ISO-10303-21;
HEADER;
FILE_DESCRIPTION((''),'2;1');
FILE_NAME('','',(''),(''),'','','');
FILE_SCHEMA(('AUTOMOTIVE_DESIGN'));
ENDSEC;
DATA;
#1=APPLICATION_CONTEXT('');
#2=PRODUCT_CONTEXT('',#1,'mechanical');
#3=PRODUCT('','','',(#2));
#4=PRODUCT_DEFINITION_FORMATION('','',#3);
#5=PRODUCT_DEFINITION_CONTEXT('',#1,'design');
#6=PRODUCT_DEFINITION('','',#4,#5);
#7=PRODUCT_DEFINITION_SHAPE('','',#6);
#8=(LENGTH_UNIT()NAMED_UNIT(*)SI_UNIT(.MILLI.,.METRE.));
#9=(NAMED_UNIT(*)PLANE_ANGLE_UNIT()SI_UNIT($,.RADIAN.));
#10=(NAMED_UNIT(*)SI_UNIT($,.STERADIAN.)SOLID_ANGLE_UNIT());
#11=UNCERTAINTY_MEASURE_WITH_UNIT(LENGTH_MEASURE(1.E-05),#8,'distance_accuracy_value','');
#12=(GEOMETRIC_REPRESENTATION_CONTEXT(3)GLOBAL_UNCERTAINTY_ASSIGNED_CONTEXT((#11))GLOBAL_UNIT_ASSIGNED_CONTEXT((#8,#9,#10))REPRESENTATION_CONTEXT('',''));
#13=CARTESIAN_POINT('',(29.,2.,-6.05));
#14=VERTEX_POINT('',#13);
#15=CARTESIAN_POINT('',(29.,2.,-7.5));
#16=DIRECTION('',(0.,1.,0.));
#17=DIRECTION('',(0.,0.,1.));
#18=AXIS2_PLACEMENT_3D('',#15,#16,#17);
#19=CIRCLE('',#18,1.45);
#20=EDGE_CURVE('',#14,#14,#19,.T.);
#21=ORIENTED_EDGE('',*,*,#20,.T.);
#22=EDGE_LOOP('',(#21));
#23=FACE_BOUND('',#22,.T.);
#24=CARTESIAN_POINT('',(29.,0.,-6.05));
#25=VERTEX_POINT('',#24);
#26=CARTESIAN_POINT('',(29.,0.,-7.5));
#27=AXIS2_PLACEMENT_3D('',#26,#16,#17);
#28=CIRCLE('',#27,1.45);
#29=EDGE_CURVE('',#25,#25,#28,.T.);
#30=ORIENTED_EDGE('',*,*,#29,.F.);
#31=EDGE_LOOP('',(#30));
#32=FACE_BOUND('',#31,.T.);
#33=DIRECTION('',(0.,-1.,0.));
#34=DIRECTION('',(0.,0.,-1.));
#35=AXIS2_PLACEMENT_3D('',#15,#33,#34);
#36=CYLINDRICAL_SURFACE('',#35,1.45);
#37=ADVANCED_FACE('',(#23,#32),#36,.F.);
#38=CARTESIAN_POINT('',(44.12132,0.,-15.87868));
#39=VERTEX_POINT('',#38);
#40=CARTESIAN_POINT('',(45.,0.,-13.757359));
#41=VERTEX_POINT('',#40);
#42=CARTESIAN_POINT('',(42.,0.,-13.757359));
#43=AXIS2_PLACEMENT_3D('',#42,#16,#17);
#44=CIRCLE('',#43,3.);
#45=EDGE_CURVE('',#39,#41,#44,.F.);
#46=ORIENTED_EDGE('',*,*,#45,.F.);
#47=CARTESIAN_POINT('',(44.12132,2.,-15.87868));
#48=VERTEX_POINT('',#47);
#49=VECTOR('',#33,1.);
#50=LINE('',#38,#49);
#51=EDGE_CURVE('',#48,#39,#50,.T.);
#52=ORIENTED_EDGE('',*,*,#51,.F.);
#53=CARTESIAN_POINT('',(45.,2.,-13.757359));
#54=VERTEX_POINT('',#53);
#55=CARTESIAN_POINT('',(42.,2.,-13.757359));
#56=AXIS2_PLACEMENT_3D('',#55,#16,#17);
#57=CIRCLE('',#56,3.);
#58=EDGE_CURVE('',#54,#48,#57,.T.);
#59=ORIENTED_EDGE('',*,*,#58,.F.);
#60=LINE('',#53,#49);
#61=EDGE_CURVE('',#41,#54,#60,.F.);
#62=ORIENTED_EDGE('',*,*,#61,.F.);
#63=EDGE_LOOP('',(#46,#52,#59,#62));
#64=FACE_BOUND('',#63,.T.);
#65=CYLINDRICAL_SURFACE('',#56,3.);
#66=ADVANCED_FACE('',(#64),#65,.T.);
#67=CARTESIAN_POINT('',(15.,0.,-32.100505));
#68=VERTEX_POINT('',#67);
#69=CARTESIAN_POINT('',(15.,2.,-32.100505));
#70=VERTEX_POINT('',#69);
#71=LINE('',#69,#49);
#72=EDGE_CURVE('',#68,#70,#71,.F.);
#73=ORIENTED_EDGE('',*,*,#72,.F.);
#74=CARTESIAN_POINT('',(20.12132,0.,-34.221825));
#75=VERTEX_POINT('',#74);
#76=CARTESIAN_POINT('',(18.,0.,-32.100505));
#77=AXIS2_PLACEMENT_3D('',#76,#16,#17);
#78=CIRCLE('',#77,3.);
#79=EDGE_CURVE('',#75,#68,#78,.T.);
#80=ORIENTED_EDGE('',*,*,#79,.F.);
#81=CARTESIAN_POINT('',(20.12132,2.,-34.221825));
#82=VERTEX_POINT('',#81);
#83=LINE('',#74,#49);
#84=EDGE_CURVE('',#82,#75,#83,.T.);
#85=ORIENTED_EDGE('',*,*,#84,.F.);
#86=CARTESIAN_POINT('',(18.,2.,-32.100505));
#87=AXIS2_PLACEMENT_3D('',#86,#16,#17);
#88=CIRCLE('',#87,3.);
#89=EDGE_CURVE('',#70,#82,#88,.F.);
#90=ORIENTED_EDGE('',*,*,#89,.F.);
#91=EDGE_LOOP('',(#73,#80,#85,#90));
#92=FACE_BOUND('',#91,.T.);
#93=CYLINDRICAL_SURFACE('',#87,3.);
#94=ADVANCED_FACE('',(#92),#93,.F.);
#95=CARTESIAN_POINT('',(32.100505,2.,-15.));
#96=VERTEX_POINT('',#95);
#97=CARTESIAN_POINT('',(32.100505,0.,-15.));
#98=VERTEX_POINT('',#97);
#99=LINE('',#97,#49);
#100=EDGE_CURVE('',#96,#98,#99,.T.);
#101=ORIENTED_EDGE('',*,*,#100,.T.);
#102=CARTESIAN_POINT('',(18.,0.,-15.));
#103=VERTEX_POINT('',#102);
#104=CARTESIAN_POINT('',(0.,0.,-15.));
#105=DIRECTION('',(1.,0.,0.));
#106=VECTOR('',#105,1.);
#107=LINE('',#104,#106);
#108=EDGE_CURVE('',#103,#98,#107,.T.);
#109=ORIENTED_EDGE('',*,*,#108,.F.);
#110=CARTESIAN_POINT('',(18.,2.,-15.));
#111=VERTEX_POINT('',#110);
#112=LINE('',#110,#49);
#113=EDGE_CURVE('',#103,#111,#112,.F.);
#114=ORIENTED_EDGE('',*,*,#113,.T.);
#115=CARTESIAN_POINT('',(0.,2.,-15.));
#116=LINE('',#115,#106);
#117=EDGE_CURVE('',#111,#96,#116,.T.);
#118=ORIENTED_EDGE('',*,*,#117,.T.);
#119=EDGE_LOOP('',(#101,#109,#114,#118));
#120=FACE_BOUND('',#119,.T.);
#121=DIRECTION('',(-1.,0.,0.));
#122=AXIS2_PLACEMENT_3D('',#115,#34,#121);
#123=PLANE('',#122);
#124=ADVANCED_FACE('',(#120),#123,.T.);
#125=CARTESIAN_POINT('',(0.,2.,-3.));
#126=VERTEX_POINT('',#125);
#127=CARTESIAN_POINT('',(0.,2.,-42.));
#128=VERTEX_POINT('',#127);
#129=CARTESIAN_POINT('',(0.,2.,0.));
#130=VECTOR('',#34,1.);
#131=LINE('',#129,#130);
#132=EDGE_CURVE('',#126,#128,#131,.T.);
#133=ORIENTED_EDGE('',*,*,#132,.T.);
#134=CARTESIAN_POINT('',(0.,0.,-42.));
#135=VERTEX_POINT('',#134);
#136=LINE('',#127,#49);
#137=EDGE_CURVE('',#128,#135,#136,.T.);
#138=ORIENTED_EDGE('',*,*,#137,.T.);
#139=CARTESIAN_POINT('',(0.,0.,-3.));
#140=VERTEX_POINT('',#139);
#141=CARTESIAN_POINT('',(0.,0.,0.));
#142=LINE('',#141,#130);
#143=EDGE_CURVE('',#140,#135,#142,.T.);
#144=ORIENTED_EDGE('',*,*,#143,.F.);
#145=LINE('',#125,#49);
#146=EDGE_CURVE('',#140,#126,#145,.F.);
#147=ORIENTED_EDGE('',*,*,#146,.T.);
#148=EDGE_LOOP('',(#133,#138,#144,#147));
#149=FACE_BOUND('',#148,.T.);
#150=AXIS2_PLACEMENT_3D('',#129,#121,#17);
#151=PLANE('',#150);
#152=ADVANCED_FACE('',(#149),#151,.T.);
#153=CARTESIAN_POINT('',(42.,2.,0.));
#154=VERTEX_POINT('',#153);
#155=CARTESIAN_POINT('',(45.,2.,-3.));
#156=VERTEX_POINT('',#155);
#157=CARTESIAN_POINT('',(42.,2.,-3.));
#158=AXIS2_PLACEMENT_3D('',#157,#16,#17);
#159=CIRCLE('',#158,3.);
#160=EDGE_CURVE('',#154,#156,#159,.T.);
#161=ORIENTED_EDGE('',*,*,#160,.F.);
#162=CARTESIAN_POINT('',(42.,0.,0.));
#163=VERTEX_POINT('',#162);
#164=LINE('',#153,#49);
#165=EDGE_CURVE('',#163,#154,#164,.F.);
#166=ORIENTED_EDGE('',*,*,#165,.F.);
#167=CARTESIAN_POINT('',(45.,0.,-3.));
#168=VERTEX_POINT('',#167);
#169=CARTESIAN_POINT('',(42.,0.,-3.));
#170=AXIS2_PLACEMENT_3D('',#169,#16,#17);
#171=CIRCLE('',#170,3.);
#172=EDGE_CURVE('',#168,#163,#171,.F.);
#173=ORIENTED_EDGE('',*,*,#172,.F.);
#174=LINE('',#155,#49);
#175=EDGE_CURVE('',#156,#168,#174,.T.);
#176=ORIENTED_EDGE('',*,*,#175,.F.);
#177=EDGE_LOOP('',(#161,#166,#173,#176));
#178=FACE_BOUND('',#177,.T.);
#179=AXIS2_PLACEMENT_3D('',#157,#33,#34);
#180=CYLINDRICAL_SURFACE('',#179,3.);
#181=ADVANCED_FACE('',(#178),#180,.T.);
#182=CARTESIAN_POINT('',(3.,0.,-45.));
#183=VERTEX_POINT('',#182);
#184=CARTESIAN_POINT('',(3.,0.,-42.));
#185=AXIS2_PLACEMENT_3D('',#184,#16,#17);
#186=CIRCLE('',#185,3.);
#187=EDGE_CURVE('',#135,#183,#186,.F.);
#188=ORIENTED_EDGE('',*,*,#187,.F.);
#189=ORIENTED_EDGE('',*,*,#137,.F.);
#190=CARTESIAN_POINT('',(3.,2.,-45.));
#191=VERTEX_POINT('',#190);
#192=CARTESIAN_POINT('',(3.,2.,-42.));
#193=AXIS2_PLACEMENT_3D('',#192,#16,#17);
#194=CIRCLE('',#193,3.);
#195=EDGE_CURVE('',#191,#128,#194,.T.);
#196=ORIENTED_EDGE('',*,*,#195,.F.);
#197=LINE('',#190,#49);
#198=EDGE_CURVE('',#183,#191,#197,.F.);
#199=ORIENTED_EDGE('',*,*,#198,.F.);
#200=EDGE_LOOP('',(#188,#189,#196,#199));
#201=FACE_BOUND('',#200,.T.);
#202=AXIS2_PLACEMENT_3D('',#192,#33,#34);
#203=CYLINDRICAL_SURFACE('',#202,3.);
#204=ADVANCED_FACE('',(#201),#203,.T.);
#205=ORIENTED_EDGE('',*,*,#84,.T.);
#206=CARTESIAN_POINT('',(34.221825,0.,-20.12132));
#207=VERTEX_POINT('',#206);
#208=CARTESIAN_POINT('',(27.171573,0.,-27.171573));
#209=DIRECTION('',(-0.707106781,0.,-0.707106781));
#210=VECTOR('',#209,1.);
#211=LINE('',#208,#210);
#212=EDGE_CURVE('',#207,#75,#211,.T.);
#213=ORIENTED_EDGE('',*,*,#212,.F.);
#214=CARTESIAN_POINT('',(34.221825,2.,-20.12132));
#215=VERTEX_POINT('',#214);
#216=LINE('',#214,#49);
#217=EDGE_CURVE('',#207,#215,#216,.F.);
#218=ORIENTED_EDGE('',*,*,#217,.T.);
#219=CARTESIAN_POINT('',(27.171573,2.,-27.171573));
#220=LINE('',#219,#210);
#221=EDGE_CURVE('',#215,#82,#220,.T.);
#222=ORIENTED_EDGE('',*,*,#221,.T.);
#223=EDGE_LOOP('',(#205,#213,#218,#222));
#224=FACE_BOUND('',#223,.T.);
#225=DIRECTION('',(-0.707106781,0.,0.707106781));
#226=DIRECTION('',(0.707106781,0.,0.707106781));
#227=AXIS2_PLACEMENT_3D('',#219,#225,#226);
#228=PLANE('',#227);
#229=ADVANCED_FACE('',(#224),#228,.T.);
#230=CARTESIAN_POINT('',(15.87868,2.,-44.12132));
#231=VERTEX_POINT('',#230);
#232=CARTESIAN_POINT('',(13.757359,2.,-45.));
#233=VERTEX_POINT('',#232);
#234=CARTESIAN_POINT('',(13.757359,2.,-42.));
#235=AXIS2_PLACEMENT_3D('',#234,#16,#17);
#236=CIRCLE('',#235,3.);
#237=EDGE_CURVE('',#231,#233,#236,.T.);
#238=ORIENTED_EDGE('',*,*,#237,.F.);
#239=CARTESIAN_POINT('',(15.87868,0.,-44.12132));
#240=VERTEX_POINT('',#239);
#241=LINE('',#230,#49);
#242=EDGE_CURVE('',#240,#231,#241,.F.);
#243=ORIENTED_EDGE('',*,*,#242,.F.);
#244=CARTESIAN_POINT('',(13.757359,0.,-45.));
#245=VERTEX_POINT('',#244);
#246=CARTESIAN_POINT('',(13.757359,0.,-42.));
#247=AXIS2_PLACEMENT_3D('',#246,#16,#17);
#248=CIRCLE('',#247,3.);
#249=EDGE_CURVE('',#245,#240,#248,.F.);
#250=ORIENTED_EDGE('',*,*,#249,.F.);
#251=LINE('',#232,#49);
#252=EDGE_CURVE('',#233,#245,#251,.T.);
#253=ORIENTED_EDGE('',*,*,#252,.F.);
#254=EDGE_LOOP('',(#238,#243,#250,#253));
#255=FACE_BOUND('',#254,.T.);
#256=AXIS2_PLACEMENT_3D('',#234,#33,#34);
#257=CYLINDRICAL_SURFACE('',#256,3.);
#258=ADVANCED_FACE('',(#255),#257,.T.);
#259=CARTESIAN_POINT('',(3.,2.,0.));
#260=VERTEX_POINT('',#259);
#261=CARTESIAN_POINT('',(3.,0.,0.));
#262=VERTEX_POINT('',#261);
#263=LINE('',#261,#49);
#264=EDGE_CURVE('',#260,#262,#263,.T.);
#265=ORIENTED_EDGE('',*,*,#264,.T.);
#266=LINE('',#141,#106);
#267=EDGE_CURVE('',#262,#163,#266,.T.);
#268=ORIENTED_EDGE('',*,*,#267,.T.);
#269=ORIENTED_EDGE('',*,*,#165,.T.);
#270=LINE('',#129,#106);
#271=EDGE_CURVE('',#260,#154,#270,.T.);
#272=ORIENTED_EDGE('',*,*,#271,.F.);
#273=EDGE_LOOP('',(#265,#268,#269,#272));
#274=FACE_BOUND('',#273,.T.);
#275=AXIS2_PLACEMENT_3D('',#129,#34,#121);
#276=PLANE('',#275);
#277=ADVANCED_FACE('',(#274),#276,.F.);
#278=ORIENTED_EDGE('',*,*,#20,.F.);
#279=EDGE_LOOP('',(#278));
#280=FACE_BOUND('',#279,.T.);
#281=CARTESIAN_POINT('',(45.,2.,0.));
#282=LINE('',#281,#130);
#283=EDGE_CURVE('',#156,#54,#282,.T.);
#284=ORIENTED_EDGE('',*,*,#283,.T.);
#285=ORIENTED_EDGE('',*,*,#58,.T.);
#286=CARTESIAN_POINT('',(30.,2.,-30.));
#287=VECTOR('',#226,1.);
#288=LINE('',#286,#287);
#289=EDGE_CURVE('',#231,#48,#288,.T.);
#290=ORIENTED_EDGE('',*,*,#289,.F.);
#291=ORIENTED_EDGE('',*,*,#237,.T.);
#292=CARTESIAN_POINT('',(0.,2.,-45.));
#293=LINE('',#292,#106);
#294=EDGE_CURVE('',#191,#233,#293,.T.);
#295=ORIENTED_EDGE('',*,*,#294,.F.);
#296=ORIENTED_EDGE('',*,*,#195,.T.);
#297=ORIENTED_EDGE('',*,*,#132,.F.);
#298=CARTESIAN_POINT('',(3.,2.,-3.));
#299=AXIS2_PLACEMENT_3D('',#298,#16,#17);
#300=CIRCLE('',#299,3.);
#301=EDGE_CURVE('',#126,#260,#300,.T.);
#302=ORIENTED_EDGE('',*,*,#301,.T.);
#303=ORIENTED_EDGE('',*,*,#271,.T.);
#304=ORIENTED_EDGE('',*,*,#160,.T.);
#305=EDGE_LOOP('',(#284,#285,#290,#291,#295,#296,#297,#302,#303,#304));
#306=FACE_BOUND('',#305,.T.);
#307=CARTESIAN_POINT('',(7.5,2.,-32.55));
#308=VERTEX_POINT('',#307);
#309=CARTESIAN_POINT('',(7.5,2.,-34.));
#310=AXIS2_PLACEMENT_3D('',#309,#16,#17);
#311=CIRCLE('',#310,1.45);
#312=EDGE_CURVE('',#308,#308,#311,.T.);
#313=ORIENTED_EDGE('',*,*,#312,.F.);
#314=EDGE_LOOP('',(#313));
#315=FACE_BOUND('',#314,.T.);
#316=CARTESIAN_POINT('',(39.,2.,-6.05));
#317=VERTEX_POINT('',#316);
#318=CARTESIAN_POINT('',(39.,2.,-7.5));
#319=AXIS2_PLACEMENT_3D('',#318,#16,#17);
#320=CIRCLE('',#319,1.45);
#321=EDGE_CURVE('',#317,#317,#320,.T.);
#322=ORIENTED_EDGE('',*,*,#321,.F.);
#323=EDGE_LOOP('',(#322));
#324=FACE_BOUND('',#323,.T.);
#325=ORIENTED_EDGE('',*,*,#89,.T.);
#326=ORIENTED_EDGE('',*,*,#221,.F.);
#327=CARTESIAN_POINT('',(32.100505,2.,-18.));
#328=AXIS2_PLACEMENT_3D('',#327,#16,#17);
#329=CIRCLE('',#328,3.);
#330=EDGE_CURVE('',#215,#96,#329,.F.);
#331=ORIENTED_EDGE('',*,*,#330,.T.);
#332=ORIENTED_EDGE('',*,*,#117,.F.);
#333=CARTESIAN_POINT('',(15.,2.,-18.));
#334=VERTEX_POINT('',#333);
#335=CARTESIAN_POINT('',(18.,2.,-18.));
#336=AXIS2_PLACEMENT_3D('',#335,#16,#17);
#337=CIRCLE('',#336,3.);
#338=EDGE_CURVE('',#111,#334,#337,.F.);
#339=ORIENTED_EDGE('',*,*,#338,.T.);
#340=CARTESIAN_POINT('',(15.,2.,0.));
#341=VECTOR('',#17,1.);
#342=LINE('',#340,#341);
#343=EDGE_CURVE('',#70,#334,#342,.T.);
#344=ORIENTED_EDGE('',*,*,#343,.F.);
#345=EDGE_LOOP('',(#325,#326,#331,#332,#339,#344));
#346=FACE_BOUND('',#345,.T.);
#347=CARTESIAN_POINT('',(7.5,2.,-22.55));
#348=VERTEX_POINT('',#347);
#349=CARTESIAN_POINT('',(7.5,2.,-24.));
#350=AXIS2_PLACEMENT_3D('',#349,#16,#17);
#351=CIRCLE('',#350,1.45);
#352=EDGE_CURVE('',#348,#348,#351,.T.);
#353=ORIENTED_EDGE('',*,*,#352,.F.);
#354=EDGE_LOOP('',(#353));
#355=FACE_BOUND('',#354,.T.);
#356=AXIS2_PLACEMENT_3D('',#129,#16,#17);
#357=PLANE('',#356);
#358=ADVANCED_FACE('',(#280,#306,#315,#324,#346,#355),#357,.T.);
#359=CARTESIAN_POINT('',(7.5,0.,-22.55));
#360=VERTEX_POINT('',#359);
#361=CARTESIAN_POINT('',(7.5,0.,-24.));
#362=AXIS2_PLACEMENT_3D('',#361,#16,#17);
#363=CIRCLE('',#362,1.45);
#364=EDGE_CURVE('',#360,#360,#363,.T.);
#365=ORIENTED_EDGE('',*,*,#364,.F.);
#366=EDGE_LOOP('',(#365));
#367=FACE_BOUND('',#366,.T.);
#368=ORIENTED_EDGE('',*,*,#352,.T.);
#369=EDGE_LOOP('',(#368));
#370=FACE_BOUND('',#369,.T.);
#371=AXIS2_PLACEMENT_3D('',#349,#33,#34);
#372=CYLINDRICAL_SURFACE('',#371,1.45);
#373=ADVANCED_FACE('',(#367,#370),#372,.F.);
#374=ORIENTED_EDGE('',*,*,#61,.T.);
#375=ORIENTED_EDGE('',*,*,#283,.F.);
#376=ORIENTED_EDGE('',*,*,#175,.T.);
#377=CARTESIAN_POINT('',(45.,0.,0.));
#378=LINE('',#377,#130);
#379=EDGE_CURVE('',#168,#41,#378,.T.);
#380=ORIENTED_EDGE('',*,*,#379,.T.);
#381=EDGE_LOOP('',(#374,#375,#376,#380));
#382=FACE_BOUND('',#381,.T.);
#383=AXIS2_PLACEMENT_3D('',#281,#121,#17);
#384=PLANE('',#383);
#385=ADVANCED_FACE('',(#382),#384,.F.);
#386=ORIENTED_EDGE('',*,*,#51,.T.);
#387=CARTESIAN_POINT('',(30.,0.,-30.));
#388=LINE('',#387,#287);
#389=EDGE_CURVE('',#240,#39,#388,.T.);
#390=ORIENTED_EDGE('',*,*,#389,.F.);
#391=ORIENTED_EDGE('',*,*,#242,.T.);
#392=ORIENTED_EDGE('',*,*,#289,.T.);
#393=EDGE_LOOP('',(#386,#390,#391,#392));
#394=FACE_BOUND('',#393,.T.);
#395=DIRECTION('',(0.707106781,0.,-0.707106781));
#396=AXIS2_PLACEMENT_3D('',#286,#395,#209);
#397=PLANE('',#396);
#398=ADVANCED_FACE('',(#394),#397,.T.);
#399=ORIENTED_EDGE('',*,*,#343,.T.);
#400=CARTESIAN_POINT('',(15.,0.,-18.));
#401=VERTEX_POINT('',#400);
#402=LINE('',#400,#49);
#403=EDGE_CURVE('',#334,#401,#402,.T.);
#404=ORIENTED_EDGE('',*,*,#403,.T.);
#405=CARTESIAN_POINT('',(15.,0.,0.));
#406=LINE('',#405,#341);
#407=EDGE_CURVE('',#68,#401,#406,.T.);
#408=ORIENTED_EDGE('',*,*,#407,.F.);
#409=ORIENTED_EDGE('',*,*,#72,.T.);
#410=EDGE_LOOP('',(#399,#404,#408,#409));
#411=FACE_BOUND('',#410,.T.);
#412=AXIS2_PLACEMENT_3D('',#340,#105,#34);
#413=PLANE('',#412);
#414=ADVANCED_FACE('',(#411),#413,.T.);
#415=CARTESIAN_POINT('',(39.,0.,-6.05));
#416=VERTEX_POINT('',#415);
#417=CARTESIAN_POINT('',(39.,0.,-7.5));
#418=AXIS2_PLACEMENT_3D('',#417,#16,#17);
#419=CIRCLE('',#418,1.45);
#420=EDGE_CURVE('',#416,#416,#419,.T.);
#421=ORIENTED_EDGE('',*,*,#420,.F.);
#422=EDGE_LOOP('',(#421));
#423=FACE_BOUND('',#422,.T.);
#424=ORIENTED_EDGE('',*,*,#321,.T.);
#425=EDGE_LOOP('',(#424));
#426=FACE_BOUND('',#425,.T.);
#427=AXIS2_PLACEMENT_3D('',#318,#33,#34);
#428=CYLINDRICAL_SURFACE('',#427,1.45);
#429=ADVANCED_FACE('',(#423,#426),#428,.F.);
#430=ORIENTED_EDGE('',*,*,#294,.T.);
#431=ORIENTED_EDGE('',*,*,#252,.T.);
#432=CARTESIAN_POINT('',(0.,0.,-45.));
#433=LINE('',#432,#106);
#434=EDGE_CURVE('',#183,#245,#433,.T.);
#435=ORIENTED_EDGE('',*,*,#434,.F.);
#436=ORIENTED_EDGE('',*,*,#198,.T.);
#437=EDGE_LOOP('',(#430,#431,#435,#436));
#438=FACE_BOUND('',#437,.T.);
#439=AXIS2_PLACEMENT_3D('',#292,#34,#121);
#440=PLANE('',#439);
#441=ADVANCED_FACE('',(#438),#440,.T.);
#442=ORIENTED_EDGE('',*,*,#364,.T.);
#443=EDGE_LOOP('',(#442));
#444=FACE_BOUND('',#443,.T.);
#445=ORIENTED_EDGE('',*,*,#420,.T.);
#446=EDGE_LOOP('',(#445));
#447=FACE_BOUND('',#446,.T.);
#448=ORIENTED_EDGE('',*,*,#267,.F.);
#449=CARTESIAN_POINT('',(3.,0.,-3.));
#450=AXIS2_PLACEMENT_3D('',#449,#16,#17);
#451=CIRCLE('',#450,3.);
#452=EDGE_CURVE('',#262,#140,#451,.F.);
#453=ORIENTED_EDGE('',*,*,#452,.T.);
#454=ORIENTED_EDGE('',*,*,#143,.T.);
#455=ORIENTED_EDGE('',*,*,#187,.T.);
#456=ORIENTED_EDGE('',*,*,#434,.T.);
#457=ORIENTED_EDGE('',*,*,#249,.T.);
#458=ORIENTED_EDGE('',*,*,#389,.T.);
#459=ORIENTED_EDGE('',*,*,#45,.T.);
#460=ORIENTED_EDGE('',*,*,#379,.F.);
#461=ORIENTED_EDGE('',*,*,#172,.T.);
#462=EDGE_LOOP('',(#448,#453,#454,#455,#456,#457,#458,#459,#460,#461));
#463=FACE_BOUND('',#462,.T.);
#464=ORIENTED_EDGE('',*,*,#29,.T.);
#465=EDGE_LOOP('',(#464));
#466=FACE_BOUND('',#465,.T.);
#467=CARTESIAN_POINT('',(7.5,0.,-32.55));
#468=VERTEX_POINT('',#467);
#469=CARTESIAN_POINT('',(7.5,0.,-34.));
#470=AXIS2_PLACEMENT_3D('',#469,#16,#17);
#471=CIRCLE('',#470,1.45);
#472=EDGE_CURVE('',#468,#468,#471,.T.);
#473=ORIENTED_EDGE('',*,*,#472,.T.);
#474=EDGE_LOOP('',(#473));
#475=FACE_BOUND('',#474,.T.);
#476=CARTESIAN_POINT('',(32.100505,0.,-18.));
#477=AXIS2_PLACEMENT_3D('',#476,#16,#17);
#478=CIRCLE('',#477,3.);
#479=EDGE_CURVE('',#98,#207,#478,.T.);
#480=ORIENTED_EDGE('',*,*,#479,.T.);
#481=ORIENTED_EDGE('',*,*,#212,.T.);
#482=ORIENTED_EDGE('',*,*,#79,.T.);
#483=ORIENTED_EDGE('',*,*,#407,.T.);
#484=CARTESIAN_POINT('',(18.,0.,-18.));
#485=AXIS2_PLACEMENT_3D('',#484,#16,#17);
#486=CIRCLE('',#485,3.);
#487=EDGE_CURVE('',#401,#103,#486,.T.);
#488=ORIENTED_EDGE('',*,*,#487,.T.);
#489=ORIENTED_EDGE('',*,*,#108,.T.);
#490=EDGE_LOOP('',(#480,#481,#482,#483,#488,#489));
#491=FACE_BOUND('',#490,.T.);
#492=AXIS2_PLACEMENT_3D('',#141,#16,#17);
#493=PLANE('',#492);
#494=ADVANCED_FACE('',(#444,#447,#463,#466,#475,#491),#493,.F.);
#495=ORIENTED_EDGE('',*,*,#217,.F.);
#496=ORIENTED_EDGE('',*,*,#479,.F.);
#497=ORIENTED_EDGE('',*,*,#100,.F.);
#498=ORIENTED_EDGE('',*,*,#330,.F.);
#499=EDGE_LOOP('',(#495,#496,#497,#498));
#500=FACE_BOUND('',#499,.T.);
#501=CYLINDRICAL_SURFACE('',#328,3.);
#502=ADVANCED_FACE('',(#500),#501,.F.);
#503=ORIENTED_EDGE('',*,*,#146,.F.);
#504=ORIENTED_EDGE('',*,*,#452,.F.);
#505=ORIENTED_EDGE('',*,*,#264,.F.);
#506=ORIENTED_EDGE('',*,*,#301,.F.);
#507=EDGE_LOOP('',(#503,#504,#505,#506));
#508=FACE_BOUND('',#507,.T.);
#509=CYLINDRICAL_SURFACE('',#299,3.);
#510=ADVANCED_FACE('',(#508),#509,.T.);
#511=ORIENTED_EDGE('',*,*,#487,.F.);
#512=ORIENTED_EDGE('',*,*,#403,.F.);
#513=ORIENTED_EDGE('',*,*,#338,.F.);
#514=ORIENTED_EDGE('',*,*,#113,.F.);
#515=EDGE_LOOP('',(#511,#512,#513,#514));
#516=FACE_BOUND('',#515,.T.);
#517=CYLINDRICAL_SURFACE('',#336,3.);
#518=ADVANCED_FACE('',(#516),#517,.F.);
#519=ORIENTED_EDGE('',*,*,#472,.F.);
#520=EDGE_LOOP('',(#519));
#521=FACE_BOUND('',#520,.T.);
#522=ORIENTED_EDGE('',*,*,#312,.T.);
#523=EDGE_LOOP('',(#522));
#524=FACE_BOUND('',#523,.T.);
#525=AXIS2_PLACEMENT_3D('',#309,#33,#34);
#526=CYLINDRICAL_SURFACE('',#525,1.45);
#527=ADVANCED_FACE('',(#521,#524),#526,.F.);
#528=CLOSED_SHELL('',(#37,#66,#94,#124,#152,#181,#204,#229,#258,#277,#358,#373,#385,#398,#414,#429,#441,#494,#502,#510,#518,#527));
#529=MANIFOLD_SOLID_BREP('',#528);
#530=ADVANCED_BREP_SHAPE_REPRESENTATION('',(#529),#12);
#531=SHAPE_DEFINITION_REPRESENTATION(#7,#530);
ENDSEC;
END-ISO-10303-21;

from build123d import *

# Parameters (mm, degrees)
SKETCH_1_R      = 1.45
EXTRUDE_1_DEPTH = 2
FILLET_1_R      = 3


with BuildPart() as part:
    # 草图1 → 凸台-拉伸1 (new body)
    with BuildSketch(Plane(origin=(0, 0, 0), x_dir=(1, 0, 0), z_dir=(0, 1, 0))):
        Polygon((45, 15), (15, 45), (0, 45), (0, 15), (0, 0), (15, 0), (45, 0), align=None)
        with Locations(Location((29, 7.5, 0), (0, 0, 270))):
            Circle(SKETCH_1_R, mode=Mode.SUBTRACT)
        with Locations(Location((39, 7.5, 0), (0, 0, 270))):
            Circle(SKETCH_1_R, mode=Mode.SUBTRACT)
        with Locations(Location((7.5, 24, 0), (0, 0, 270))):
            Circle(SKETCH_1_R, mode=Mode.SUBTRACT)
        with Locations(Location((7.5, 34, 0), (0, 0, 270))):
            Circle(SKETCH_1_R, mode=Mode.SUBTRACT)
        Polygon((15, 15), (15, 39.343145751), (39.343145751, 15), align=None, mode=Mode.SUBTRACT)
    extrude(amount=EXTRUDE_1_DEPTH)

    # 圆角1
    fillet_1_edges = [part.edges().sort_by_distance(p)[0] for p in [
        (15, 1, -45),
        (45, 1, -15),
        (45, 1, 0),
        (0, 1, 0),
        (0, 1, -45),
        (15, 1, -39.343145751),
        (15, 1, -15),
        (39.343145751, 1, -15),
    ]]
    fillet(fillet_1_edges, radius=FILLET_1_R)


solid = part.part
